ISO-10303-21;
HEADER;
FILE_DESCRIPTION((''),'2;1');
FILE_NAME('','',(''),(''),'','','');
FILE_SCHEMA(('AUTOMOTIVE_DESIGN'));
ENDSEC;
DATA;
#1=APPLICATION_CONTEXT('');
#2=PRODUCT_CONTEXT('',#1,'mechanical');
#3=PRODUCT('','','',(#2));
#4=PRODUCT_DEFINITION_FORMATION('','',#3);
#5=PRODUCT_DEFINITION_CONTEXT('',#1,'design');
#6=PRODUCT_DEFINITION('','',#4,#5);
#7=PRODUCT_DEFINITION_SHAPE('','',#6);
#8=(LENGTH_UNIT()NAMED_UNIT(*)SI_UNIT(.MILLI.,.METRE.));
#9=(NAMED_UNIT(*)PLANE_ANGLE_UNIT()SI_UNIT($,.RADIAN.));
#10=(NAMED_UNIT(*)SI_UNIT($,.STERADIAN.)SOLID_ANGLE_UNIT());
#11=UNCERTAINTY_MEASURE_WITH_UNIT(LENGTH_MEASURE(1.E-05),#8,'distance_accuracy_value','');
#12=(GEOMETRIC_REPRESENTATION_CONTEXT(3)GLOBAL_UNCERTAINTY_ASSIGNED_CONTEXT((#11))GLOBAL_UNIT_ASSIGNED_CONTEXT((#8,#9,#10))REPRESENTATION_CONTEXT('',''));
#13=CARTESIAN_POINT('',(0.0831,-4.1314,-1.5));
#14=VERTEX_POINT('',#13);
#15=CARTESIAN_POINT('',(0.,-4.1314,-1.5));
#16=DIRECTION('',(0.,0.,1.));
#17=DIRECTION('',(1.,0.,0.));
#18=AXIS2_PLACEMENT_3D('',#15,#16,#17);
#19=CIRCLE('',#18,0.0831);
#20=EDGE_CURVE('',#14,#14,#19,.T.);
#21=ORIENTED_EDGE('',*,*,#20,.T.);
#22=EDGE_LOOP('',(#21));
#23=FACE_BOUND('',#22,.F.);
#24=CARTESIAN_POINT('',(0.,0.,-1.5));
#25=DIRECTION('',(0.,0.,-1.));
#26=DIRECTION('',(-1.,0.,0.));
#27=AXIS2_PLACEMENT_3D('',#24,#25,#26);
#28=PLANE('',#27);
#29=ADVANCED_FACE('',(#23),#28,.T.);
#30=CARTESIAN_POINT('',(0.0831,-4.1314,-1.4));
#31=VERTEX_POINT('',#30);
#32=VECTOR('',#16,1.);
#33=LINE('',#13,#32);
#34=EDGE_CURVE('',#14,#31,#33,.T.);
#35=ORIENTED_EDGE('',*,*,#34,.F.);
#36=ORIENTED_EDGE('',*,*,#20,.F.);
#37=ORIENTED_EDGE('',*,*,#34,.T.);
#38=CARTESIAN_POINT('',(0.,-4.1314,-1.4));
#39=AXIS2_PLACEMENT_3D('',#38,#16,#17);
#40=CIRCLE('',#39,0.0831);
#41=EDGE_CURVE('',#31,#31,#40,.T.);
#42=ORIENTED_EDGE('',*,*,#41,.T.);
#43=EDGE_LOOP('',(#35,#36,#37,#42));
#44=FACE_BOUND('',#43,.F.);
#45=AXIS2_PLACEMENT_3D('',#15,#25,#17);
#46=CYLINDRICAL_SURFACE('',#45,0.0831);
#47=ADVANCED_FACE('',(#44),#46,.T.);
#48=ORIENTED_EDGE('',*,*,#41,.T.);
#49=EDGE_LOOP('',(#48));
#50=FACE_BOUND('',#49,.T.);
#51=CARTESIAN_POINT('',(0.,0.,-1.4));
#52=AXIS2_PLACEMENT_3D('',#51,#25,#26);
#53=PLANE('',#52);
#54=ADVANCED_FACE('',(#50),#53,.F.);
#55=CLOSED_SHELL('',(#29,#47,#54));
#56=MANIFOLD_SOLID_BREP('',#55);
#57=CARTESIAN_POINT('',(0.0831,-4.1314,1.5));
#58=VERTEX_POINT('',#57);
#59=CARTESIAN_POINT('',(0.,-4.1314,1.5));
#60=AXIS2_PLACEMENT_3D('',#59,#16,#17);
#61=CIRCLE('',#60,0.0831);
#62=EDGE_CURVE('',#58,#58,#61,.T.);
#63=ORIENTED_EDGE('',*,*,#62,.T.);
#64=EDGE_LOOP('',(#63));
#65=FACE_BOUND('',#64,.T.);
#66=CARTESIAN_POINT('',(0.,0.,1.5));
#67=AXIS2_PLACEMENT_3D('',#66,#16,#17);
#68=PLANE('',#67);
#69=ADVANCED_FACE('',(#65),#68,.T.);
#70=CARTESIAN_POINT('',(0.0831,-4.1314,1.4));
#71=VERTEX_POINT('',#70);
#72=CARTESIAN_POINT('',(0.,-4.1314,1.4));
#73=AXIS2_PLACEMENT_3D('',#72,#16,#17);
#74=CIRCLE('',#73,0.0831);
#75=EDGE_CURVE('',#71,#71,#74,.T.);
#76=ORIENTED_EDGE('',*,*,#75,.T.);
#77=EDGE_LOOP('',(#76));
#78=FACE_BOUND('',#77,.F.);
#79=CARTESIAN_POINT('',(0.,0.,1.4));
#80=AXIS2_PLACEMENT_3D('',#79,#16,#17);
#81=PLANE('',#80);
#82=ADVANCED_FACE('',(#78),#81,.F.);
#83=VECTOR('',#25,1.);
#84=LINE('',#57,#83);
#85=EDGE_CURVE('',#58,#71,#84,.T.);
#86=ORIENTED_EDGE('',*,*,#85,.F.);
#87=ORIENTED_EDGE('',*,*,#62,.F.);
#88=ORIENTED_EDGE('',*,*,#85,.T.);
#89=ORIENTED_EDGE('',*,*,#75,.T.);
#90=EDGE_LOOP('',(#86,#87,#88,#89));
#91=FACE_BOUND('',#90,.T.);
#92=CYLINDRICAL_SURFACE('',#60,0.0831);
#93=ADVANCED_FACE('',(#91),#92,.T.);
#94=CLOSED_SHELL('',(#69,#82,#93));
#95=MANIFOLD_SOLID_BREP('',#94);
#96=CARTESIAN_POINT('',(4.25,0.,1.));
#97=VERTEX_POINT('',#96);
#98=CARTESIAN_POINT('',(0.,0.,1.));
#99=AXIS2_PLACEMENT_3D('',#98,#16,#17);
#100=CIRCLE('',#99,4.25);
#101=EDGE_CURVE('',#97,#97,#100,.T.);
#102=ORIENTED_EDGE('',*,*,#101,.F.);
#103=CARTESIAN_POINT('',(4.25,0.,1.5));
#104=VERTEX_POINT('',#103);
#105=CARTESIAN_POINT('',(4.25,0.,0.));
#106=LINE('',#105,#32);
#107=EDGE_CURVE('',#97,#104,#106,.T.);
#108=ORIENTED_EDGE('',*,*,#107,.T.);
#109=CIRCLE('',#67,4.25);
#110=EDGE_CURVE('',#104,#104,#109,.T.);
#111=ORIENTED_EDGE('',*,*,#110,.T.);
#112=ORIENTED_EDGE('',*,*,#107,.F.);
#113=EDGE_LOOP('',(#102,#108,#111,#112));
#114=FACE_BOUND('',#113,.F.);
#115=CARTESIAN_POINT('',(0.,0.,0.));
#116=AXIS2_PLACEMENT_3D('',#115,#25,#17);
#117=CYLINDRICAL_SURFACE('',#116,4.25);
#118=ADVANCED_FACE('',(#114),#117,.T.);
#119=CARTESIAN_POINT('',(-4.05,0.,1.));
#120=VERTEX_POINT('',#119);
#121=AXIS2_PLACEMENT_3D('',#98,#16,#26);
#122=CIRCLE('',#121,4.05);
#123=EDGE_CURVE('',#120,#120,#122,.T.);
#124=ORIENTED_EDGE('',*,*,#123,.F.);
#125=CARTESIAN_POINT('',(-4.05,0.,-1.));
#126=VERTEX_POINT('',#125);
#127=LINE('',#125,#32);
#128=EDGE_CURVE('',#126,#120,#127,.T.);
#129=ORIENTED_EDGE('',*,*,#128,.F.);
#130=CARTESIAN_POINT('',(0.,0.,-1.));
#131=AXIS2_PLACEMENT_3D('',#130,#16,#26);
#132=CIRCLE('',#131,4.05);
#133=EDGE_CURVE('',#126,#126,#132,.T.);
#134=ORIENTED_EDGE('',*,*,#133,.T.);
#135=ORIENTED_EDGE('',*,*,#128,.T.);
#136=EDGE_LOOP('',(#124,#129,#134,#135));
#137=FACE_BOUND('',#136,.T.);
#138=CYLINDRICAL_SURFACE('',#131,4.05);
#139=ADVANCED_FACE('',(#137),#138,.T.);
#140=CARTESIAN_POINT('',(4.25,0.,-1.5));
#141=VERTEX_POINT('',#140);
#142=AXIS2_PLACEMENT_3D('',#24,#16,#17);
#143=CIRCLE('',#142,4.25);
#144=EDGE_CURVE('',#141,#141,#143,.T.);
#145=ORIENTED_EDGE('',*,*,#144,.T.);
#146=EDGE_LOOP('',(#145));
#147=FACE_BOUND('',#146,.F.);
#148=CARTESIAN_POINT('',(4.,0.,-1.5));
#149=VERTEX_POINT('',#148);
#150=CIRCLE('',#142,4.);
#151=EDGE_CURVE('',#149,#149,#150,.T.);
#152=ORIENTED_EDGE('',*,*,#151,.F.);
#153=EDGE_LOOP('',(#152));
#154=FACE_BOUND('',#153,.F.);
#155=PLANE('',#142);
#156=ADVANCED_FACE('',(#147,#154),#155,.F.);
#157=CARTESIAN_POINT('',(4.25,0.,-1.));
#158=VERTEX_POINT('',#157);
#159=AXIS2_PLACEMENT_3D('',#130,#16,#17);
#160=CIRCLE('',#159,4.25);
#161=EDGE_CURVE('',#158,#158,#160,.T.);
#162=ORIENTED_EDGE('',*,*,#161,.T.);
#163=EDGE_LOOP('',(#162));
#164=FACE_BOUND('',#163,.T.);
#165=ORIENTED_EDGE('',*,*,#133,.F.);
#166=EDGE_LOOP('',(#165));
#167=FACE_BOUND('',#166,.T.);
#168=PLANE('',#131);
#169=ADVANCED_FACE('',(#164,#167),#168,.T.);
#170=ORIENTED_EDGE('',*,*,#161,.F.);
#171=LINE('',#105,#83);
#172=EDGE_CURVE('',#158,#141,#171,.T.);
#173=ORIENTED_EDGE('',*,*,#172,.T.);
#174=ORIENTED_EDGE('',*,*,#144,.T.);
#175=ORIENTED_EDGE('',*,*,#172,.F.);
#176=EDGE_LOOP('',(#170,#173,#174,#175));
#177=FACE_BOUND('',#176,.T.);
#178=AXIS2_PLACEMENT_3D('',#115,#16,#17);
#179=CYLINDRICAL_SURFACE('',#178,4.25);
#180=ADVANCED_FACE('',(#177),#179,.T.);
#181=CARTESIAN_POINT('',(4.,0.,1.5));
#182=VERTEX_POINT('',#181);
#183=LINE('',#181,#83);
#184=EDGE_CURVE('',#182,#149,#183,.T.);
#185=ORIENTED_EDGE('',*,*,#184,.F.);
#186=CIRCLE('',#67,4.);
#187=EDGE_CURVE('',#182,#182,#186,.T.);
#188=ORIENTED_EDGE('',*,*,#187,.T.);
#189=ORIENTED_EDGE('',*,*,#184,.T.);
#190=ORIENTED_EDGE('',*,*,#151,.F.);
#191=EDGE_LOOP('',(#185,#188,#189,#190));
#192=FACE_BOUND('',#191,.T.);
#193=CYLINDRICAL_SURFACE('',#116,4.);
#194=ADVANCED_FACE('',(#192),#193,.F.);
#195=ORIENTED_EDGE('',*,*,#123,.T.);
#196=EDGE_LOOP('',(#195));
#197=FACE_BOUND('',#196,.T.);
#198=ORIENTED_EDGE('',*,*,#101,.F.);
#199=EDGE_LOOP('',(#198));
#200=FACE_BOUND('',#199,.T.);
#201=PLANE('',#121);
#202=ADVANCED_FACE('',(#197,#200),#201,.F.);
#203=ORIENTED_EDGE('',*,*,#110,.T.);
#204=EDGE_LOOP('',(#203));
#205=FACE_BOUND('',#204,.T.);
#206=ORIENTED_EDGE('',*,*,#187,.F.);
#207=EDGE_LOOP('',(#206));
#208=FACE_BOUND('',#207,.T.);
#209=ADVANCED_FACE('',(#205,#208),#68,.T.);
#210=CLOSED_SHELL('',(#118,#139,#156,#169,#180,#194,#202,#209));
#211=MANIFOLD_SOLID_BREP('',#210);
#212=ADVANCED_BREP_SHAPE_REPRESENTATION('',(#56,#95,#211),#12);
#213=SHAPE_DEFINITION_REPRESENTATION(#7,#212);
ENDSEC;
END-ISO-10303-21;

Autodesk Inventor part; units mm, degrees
ref_plane "YZ Plane" through (0, 0, 0) normal (1, 0, 0) x (0, 1, 0)
ref_plane "XZ Plane" through (0, 0, 0) normal (0, 1, 0) x (-1, 0, 0)
ref_plane "XY Plane" through (0, 0, 0) normal (0, 0, 1) x (1, 0, 0)
sketch "Sketch1" plane through (0, 0, 0) normal (0, 0, 1) x (1, 0, 0)
  circle A0 centre (0, 0) radius 4
  circle A1 centre (0, 0) radius 4.25
  dimension "d0" = 8
  dimension "d1" = 8.5
extrude "Extrusion1" add sketch "Sketch1" along normal mid plane 3
sketch "Sketch5" plane through (0, 0, 0) normal (0, 1, 0) x (-1, 0, 0)
  line L0 (0, -2.1235) -> (0, 2.5622)
  line L1 (4.25, -1.5) -> (4.25, 1.5) projected
  line L2 (4.25, -1) -> (4.05, -1)
  line L3 (4.05, -1) -> (4.05, 1)
  line L4 (4.05, 1) -> (4.25, 1)
  line L5 (-4.25, -1.5) -> (4.25, -1.5) projected
  point P0 (0, 0)
  dimension "d12" = 0.2
  dimension "d13" = 2
  dimension "d14" = 0.5
revolve "Revolution1" cut sketch "Sketch5" angle 360 about axis through (0, 0, -2.1235) along (0, 0, 1)
sketch "Sketch6" plane through (0, 0, 1.5) normal (0, 0, 1) x (1, 0, 0)
  circle A0 centre (0, -4.1314) radius 0.0831
  point P0 (0, 0)
extrude "Extrusion2" add sketch "Sketch6" against normal blind 0.1 separate body
mirror "Mirror1" about plane through (0, 0, 0) normal (0, 0, 1) of "Extrusion2" bodies 2
properties part number "In1"
